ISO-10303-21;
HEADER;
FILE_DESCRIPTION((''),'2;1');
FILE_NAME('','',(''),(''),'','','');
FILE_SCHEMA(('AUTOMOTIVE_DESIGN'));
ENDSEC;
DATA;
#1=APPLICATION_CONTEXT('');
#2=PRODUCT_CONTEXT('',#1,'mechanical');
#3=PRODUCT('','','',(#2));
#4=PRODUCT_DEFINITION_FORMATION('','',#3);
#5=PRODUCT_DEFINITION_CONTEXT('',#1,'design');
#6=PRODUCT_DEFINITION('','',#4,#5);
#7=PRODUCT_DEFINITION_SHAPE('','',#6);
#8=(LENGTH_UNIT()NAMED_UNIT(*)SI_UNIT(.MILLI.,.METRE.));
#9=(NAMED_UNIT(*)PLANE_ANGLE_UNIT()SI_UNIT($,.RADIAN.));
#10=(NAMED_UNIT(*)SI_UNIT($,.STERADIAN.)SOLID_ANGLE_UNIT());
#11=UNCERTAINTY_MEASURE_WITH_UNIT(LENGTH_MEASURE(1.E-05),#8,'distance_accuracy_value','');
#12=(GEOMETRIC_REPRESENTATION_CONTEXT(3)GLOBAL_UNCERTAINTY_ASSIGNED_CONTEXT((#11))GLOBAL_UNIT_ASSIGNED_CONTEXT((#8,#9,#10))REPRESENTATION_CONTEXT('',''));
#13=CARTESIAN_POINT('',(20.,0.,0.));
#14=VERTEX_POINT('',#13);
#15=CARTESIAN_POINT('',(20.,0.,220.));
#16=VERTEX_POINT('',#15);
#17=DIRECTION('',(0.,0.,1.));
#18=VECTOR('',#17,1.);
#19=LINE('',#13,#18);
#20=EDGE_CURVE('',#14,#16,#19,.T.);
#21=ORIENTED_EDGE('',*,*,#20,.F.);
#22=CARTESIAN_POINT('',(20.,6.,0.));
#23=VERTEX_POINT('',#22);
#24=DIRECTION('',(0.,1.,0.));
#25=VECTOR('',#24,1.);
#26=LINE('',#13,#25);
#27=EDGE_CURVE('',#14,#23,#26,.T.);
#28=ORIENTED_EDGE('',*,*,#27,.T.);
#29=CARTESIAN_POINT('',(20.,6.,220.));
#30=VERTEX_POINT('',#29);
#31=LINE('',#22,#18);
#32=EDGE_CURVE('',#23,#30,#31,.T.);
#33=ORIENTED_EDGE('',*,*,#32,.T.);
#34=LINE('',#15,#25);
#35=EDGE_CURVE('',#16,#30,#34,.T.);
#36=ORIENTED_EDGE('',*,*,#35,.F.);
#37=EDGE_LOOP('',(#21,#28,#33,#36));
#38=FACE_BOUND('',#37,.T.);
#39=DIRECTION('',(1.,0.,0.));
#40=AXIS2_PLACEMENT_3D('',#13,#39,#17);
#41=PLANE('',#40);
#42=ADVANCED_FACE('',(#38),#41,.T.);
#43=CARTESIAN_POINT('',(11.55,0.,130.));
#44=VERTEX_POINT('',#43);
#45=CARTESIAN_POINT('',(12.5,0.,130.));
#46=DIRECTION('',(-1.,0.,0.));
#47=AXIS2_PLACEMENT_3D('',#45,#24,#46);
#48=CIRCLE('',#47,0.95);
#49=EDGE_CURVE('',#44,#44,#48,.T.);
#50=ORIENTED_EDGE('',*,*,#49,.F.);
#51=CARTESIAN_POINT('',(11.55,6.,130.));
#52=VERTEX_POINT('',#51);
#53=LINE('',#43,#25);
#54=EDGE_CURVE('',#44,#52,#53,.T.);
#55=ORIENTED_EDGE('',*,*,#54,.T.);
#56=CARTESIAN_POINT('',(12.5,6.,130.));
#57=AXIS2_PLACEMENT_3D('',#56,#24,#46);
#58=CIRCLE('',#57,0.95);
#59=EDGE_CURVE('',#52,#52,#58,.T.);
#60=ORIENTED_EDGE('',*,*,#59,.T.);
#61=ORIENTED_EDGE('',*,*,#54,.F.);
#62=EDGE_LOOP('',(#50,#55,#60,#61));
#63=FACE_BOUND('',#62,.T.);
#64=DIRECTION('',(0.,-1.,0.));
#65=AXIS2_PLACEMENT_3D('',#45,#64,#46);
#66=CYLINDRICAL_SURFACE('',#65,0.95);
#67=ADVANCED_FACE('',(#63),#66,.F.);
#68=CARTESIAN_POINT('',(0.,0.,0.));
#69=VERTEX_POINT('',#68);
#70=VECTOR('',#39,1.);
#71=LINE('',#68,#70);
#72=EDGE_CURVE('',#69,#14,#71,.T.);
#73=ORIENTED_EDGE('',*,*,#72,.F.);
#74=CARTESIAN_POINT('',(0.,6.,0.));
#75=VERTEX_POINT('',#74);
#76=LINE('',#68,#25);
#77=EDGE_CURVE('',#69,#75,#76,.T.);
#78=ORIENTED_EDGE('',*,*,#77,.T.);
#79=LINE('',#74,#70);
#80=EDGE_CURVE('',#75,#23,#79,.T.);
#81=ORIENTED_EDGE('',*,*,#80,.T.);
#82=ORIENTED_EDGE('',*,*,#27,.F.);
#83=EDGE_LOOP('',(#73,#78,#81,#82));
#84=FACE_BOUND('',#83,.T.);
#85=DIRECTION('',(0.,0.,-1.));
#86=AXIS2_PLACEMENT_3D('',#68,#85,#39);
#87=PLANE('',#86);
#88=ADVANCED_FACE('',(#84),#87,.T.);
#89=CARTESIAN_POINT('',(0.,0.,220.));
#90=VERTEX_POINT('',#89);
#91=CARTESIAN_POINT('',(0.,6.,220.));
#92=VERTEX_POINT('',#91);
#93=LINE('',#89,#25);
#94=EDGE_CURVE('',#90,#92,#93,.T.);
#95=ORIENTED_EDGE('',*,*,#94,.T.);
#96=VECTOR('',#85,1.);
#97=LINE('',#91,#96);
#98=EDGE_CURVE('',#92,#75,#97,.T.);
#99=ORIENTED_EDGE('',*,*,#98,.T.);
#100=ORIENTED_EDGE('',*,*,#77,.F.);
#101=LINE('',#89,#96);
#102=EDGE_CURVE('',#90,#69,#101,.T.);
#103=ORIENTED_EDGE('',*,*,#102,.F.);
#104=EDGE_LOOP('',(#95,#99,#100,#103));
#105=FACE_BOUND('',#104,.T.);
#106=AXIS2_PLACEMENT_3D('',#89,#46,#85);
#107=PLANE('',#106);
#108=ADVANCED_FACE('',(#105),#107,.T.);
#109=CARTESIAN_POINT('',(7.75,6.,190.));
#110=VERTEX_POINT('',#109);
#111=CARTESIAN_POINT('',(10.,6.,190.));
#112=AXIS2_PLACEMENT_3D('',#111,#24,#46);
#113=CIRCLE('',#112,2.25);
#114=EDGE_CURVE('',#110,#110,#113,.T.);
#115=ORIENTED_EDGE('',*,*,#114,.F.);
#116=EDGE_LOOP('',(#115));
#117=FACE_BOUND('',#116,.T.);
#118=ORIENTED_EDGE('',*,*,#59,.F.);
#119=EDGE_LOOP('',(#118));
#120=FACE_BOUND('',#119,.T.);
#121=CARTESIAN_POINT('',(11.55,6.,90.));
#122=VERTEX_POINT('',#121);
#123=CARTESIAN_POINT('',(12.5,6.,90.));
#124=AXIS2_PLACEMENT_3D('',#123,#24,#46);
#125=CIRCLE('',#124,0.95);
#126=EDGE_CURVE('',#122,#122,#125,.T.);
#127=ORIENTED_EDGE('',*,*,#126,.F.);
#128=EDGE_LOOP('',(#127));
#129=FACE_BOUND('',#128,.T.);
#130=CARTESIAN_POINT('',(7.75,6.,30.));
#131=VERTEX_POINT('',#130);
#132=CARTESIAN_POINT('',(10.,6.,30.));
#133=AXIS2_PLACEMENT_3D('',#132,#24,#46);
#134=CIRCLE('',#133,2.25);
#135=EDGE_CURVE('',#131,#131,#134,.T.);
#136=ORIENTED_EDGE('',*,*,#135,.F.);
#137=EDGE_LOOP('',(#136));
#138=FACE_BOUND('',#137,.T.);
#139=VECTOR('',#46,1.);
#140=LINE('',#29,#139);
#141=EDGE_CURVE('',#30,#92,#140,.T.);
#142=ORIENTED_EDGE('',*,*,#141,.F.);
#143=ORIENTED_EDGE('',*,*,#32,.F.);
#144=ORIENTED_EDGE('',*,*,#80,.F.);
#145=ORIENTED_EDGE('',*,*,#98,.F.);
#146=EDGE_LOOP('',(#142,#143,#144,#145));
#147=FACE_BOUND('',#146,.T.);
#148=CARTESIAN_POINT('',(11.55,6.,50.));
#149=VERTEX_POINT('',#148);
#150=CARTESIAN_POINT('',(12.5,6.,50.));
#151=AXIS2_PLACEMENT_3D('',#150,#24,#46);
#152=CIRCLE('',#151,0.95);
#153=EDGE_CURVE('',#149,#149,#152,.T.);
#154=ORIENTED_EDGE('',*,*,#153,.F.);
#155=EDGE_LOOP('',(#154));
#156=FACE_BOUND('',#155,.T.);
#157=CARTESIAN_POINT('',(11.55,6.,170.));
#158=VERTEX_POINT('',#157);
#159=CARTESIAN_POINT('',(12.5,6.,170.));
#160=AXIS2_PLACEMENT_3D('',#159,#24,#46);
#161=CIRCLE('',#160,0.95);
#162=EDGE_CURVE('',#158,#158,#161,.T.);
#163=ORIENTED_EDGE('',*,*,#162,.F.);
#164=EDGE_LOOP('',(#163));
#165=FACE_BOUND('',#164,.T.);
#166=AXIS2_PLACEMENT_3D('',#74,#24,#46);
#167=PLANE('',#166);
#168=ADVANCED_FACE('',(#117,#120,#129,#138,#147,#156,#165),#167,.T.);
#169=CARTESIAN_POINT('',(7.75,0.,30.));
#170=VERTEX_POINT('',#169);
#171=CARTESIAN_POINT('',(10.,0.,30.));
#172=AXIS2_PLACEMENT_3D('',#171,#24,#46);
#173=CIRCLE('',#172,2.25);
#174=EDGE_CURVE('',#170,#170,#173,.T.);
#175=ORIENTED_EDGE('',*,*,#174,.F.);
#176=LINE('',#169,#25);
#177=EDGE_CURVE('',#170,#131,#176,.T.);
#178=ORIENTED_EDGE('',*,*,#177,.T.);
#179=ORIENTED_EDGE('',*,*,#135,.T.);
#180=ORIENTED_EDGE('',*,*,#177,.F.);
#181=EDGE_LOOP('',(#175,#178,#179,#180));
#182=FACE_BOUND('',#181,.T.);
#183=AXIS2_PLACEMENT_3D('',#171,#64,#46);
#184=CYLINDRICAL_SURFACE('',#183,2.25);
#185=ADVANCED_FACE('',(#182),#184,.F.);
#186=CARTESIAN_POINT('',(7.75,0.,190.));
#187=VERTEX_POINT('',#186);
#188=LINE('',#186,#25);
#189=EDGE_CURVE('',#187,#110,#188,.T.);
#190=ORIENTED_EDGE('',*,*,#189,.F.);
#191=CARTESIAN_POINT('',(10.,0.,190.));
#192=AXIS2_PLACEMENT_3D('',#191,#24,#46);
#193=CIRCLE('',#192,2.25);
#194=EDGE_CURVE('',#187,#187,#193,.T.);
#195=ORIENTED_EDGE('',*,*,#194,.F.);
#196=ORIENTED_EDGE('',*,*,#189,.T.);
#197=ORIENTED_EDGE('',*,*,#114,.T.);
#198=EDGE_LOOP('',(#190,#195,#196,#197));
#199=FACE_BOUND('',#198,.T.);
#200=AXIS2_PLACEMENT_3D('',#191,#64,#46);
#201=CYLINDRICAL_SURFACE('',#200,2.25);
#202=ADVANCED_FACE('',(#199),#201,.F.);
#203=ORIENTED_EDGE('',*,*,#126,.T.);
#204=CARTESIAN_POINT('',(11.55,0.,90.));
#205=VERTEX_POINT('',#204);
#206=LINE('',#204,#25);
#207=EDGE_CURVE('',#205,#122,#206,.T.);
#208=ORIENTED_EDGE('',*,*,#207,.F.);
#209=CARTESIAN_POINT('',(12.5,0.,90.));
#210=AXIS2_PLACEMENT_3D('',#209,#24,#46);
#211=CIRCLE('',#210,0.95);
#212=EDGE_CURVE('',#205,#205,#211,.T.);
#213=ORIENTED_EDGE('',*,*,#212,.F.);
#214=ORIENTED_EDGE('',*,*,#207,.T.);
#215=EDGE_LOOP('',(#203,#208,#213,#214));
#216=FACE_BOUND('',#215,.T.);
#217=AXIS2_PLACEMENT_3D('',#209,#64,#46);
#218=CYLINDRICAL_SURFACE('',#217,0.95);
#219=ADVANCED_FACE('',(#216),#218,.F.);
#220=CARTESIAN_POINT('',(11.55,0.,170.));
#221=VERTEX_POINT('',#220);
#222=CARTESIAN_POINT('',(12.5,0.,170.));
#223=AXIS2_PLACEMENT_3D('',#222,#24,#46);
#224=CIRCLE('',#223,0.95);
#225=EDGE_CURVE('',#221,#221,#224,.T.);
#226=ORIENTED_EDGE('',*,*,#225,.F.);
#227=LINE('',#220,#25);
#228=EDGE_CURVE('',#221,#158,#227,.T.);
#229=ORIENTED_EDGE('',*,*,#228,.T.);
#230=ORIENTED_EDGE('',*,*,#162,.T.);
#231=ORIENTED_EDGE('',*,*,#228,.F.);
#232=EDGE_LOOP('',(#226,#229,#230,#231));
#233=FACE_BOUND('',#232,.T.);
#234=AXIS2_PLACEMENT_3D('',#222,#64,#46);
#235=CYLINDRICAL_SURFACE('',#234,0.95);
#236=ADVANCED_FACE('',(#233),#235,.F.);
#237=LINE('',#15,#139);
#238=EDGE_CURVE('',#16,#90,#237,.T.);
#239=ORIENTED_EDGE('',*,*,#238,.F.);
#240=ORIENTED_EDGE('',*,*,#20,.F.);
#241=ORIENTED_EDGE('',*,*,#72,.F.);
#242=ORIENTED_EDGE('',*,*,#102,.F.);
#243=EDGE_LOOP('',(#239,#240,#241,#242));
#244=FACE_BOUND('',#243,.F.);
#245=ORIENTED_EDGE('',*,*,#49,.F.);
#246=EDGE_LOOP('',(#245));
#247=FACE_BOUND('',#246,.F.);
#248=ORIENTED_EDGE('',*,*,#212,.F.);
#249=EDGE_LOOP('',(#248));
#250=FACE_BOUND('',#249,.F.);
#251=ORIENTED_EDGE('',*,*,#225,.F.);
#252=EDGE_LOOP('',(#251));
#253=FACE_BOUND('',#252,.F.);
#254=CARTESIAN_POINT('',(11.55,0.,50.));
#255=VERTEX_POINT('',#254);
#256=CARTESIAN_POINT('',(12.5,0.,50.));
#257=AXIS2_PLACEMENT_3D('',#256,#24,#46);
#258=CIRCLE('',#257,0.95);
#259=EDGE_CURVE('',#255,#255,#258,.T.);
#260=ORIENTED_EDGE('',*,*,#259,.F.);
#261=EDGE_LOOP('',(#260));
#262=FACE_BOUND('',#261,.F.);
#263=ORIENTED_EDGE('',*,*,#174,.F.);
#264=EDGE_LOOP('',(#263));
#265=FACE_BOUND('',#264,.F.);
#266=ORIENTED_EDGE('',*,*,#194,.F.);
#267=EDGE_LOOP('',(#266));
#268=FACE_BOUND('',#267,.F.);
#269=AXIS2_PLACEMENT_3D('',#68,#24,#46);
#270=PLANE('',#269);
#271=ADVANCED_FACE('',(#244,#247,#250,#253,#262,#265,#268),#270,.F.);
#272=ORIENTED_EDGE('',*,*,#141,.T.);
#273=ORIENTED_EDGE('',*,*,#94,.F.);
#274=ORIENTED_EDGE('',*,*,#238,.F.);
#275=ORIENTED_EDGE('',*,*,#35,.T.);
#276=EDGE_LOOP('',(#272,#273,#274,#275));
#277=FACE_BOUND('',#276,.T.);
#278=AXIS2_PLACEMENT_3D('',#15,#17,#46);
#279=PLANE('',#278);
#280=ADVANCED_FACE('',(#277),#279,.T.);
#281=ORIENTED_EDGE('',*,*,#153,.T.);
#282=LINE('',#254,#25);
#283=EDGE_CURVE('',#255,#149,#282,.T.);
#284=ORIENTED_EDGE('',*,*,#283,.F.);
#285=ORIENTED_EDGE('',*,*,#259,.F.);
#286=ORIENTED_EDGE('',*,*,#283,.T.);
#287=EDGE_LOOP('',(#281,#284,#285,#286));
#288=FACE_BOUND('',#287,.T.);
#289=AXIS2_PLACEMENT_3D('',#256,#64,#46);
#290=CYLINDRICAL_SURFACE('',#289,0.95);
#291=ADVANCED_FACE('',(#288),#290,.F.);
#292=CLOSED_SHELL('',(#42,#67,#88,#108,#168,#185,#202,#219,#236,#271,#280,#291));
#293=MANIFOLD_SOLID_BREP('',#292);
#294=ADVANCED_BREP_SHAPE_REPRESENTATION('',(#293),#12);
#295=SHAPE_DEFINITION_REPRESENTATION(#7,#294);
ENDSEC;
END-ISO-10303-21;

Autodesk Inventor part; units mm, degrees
ref_plane "YZ Plane" through (0, 0, 0) normal (1, 0, 0) x (0, 1, 0)
ref_plane "XZ Plane" through (0, 0, 0) normal (0, 1, 0) x (-1, 0, 0)
ref_plane "XY Plane" through (0, 0, 0) normal (0, 0, 1) x (1, 0, 0)
sketch "Sketch2" plane through (0, 0, 0) normal (0, 1, 0) x (-1, 0, 0)
  line L0 (0, 0) -> (-20, 0)
  line L1 (-20, 0) -> (-20, 220)
  line L2 (-20, 220) -> (0, 220)
  line L3 (0, 220) -> (0, 0)
  circle A0 centre (-10, 30) radius 2.25
  circle A1 centre (-10, 190) radius 2.25
  circle A2 centre (-12.5, 50) radius 0.95
  circle A3 centre (-12.5, 90) radius 0.95
  circle A4 centre (-12.5, 130) radius 0.95
  circle A5 centre (-12.5, 170) radius 0.95
  dimension "d76" = 20
  dimension "d78" = 30
  dimension "d80" = 10
  dimension "d81" = 4.5
  dimension "d82" = 30
  dimension "d83" = 220
  dimension "d84" = 1.9
  dimension "d87" = 40
  dimension "d92" = 7.5
  dimension "d93" = 20
extrude "Extrusion2" add sketch "Sketch2" along normal blind 6
properties part number "phone_holder_botom_cap" material "Acrylic, Clear"
